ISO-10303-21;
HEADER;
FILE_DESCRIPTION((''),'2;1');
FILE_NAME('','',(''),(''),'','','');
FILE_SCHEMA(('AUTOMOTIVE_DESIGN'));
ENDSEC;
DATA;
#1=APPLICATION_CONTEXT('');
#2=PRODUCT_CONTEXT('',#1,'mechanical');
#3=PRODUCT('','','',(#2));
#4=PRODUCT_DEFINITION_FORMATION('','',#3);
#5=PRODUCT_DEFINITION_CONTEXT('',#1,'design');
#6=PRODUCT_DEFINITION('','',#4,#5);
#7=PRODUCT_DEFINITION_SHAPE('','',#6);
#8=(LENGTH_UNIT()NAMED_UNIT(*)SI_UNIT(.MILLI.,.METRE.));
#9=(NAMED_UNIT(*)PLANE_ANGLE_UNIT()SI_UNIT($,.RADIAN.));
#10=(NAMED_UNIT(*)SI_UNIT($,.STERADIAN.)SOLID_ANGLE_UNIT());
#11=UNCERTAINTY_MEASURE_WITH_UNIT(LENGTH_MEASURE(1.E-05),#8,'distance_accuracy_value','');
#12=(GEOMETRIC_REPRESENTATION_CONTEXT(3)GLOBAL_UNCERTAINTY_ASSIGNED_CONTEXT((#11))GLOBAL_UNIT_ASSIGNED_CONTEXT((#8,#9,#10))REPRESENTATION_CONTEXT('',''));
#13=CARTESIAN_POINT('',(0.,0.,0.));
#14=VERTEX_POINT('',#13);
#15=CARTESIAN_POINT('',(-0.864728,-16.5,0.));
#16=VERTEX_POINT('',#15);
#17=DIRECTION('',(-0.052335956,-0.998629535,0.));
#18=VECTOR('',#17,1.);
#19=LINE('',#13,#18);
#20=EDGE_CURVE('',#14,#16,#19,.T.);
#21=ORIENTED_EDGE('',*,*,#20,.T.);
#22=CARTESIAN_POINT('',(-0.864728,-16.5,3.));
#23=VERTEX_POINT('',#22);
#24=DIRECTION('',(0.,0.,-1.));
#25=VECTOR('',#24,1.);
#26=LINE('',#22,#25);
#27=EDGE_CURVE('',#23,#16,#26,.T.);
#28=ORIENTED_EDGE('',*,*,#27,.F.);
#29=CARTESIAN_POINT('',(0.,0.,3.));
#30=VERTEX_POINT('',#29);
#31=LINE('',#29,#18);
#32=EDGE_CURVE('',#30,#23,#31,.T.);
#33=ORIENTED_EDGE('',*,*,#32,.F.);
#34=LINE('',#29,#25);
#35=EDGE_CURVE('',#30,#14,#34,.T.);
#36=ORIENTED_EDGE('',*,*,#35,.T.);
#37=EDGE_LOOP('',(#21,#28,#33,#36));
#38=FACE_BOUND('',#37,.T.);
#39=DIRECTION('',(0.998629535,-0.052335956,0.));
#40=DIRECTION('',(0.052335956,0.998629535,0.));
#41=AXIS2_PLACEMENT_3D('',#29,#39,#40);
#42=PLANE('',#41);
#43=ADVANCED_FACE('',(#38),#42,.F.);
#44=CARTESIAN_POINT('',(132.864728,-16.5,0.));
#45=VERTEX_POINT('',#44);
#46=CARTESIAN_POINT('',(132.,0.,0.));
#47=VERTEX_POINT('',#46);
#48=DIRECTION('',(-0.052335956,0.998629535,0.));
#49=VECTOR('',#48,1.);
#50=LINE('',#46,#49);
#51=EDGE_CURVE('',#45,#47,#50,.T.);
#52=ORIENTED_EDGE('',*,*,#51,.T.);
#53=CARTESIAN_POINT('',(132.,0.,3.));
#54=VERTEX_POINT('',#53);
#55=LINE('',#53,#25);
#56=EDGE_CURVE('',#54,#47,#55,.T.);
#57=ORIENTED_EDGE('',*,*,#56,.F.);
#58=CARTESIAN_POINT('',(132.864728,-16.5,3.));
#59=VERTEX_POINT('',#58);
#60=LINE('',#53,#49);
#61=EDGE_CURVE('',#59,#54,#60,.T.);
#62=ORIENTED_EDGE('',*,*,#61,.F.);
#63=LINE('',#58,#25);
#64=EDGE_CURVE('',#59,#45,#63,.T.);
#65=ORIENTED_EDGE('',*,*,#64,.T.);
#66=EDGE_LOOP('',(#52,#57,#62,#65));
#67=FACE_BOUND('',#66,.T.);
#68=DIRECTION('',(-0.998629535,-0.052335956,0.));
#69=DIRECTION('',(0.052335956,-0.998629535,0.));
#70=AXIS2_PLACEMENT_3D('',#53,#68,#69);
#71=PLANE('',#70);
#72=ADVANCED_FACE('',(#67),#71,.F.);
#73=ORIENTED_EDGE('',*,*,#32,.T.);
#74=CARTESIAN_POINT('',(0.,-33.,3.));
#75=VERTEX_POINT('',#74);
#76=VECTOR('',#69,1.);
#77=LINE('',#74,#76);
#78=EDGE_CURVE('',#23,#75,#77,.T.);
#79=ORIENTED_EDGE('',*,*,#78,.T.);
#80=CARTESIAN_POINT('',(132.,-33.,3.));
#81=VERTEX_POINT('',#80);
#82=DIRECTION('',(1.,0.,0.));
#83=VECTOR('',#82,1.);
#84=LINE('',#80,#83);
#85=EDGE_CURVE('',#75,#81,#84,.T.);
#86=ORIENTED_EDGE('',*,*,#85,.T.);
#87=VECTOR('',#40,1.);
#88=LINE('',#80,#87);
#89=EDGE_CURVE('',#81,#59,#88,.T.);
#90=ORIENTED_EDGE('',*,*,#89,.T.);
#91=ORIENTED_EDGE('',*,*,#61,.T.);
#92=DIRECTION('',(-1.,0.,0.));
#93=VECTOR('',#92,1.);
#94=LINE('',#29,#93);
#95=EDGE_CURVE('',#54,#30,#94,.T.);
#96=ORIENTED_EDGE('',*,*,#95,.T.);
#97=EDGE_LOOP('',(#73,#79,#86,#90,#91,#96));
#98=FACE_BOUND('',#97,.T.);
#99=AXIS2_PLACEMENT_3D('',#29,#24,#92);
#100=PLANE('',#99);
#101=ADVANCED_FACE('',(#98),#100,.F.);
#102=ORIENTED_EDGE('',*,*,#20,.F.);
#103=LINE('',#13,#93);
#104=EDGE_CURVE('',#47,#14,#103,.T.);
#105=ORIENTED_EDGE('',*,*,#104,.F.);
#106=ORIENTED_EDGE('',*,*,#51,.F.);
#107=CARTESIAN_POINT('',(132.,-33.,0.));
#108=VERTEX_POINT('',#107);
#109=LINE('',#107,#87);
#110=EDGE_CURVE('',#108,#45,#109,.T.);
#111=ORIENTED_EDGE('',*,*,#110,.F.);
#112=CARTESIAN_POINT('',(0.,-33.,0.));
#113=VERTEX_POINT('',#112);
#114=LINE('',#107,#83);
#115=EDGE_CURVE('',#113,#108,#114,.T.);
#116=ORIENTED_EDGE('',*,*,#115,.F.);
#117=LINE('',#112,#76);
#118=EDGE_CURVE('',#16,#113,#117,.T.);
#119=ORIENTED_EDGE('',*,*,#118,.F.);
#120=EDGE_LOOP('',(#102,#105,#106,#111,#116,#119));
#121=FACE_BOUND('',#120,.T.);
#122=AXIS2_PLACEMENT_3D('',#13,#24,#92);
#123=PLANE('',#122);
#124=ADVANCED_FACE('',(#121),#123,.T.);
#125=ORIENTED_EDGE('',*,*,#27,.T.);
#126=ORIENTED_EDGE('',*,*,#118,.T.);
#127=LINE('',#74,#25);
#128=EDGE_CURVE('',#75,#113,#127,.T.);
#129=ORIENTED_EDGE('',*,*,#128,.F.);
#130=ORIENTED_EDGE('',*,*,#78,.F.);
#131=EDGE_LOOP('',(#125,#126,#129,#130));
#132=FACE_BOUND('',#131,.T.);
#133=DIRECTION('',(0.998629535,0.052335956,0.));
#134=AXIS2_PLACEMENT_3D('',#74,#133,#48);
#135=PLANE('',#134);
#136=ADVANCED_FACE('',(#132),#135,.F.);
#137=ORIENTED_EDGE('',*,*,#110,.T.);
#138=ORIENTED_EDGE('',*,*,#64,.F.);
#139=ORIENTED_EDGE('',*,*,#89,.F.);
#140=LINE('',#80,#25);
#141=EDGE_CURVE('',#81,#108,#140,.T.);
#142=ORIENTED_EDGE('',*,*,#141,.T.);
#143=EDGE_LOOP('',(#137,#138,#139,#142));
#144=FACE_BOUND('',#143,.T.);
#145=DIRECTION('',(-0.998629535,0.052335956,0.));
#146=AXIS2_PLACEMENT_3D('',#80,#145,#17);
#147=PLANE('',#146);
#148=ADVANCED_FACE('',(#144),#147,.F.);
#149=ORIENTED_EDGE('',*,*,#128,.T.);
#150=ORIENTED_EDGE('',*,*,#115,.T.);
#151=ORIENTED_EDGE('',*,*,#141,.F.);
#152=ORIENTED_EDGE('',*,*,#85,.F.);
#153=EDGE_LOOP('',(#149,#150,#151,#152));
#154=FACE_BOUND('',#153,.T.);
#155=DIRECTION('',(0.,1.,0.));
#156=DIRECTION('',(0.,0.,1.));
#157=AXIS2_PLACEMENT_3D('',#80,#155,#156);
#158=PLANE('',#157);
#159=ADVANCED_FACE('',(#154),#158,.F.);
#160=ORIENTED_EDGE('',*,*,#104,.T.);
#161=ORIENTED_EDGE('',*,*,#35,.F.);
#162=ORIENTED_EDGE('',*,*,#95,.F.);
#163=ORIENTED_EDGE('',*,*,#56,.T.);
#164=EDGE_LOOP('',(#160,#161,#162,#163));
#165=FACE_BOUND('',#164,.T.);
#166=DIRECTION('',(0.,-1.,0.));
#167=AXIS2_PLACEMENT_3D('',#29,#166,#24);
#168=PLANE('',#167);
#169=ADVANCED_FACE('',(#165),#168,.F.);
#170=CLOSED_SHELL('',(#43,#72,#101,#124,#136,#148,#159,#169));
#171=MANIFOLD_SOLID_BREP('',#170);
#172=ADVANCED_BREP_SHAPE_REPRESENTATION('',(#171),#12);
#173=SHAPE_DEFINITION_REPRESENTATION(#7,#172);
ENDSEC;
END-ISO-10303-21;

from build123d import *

# Parameters (mm, degrees)
BOSS_EXTRUDE1_DEPTH = 3


with BuildPart() as part:
    # Sketch1 → Boss-Extrude1 (new body)
    with BuildSketch(Plane.XY):
        Polygon((0, 0), (132, 0), (132.864728358, -16.500000002), (132, -33.000000002), (0, -33.000000002), (-0.864728358, -16.500000001), align=None)
    extrude(amount=BOSS_EXTRUDE1_DEPTH)


solid = part.part
